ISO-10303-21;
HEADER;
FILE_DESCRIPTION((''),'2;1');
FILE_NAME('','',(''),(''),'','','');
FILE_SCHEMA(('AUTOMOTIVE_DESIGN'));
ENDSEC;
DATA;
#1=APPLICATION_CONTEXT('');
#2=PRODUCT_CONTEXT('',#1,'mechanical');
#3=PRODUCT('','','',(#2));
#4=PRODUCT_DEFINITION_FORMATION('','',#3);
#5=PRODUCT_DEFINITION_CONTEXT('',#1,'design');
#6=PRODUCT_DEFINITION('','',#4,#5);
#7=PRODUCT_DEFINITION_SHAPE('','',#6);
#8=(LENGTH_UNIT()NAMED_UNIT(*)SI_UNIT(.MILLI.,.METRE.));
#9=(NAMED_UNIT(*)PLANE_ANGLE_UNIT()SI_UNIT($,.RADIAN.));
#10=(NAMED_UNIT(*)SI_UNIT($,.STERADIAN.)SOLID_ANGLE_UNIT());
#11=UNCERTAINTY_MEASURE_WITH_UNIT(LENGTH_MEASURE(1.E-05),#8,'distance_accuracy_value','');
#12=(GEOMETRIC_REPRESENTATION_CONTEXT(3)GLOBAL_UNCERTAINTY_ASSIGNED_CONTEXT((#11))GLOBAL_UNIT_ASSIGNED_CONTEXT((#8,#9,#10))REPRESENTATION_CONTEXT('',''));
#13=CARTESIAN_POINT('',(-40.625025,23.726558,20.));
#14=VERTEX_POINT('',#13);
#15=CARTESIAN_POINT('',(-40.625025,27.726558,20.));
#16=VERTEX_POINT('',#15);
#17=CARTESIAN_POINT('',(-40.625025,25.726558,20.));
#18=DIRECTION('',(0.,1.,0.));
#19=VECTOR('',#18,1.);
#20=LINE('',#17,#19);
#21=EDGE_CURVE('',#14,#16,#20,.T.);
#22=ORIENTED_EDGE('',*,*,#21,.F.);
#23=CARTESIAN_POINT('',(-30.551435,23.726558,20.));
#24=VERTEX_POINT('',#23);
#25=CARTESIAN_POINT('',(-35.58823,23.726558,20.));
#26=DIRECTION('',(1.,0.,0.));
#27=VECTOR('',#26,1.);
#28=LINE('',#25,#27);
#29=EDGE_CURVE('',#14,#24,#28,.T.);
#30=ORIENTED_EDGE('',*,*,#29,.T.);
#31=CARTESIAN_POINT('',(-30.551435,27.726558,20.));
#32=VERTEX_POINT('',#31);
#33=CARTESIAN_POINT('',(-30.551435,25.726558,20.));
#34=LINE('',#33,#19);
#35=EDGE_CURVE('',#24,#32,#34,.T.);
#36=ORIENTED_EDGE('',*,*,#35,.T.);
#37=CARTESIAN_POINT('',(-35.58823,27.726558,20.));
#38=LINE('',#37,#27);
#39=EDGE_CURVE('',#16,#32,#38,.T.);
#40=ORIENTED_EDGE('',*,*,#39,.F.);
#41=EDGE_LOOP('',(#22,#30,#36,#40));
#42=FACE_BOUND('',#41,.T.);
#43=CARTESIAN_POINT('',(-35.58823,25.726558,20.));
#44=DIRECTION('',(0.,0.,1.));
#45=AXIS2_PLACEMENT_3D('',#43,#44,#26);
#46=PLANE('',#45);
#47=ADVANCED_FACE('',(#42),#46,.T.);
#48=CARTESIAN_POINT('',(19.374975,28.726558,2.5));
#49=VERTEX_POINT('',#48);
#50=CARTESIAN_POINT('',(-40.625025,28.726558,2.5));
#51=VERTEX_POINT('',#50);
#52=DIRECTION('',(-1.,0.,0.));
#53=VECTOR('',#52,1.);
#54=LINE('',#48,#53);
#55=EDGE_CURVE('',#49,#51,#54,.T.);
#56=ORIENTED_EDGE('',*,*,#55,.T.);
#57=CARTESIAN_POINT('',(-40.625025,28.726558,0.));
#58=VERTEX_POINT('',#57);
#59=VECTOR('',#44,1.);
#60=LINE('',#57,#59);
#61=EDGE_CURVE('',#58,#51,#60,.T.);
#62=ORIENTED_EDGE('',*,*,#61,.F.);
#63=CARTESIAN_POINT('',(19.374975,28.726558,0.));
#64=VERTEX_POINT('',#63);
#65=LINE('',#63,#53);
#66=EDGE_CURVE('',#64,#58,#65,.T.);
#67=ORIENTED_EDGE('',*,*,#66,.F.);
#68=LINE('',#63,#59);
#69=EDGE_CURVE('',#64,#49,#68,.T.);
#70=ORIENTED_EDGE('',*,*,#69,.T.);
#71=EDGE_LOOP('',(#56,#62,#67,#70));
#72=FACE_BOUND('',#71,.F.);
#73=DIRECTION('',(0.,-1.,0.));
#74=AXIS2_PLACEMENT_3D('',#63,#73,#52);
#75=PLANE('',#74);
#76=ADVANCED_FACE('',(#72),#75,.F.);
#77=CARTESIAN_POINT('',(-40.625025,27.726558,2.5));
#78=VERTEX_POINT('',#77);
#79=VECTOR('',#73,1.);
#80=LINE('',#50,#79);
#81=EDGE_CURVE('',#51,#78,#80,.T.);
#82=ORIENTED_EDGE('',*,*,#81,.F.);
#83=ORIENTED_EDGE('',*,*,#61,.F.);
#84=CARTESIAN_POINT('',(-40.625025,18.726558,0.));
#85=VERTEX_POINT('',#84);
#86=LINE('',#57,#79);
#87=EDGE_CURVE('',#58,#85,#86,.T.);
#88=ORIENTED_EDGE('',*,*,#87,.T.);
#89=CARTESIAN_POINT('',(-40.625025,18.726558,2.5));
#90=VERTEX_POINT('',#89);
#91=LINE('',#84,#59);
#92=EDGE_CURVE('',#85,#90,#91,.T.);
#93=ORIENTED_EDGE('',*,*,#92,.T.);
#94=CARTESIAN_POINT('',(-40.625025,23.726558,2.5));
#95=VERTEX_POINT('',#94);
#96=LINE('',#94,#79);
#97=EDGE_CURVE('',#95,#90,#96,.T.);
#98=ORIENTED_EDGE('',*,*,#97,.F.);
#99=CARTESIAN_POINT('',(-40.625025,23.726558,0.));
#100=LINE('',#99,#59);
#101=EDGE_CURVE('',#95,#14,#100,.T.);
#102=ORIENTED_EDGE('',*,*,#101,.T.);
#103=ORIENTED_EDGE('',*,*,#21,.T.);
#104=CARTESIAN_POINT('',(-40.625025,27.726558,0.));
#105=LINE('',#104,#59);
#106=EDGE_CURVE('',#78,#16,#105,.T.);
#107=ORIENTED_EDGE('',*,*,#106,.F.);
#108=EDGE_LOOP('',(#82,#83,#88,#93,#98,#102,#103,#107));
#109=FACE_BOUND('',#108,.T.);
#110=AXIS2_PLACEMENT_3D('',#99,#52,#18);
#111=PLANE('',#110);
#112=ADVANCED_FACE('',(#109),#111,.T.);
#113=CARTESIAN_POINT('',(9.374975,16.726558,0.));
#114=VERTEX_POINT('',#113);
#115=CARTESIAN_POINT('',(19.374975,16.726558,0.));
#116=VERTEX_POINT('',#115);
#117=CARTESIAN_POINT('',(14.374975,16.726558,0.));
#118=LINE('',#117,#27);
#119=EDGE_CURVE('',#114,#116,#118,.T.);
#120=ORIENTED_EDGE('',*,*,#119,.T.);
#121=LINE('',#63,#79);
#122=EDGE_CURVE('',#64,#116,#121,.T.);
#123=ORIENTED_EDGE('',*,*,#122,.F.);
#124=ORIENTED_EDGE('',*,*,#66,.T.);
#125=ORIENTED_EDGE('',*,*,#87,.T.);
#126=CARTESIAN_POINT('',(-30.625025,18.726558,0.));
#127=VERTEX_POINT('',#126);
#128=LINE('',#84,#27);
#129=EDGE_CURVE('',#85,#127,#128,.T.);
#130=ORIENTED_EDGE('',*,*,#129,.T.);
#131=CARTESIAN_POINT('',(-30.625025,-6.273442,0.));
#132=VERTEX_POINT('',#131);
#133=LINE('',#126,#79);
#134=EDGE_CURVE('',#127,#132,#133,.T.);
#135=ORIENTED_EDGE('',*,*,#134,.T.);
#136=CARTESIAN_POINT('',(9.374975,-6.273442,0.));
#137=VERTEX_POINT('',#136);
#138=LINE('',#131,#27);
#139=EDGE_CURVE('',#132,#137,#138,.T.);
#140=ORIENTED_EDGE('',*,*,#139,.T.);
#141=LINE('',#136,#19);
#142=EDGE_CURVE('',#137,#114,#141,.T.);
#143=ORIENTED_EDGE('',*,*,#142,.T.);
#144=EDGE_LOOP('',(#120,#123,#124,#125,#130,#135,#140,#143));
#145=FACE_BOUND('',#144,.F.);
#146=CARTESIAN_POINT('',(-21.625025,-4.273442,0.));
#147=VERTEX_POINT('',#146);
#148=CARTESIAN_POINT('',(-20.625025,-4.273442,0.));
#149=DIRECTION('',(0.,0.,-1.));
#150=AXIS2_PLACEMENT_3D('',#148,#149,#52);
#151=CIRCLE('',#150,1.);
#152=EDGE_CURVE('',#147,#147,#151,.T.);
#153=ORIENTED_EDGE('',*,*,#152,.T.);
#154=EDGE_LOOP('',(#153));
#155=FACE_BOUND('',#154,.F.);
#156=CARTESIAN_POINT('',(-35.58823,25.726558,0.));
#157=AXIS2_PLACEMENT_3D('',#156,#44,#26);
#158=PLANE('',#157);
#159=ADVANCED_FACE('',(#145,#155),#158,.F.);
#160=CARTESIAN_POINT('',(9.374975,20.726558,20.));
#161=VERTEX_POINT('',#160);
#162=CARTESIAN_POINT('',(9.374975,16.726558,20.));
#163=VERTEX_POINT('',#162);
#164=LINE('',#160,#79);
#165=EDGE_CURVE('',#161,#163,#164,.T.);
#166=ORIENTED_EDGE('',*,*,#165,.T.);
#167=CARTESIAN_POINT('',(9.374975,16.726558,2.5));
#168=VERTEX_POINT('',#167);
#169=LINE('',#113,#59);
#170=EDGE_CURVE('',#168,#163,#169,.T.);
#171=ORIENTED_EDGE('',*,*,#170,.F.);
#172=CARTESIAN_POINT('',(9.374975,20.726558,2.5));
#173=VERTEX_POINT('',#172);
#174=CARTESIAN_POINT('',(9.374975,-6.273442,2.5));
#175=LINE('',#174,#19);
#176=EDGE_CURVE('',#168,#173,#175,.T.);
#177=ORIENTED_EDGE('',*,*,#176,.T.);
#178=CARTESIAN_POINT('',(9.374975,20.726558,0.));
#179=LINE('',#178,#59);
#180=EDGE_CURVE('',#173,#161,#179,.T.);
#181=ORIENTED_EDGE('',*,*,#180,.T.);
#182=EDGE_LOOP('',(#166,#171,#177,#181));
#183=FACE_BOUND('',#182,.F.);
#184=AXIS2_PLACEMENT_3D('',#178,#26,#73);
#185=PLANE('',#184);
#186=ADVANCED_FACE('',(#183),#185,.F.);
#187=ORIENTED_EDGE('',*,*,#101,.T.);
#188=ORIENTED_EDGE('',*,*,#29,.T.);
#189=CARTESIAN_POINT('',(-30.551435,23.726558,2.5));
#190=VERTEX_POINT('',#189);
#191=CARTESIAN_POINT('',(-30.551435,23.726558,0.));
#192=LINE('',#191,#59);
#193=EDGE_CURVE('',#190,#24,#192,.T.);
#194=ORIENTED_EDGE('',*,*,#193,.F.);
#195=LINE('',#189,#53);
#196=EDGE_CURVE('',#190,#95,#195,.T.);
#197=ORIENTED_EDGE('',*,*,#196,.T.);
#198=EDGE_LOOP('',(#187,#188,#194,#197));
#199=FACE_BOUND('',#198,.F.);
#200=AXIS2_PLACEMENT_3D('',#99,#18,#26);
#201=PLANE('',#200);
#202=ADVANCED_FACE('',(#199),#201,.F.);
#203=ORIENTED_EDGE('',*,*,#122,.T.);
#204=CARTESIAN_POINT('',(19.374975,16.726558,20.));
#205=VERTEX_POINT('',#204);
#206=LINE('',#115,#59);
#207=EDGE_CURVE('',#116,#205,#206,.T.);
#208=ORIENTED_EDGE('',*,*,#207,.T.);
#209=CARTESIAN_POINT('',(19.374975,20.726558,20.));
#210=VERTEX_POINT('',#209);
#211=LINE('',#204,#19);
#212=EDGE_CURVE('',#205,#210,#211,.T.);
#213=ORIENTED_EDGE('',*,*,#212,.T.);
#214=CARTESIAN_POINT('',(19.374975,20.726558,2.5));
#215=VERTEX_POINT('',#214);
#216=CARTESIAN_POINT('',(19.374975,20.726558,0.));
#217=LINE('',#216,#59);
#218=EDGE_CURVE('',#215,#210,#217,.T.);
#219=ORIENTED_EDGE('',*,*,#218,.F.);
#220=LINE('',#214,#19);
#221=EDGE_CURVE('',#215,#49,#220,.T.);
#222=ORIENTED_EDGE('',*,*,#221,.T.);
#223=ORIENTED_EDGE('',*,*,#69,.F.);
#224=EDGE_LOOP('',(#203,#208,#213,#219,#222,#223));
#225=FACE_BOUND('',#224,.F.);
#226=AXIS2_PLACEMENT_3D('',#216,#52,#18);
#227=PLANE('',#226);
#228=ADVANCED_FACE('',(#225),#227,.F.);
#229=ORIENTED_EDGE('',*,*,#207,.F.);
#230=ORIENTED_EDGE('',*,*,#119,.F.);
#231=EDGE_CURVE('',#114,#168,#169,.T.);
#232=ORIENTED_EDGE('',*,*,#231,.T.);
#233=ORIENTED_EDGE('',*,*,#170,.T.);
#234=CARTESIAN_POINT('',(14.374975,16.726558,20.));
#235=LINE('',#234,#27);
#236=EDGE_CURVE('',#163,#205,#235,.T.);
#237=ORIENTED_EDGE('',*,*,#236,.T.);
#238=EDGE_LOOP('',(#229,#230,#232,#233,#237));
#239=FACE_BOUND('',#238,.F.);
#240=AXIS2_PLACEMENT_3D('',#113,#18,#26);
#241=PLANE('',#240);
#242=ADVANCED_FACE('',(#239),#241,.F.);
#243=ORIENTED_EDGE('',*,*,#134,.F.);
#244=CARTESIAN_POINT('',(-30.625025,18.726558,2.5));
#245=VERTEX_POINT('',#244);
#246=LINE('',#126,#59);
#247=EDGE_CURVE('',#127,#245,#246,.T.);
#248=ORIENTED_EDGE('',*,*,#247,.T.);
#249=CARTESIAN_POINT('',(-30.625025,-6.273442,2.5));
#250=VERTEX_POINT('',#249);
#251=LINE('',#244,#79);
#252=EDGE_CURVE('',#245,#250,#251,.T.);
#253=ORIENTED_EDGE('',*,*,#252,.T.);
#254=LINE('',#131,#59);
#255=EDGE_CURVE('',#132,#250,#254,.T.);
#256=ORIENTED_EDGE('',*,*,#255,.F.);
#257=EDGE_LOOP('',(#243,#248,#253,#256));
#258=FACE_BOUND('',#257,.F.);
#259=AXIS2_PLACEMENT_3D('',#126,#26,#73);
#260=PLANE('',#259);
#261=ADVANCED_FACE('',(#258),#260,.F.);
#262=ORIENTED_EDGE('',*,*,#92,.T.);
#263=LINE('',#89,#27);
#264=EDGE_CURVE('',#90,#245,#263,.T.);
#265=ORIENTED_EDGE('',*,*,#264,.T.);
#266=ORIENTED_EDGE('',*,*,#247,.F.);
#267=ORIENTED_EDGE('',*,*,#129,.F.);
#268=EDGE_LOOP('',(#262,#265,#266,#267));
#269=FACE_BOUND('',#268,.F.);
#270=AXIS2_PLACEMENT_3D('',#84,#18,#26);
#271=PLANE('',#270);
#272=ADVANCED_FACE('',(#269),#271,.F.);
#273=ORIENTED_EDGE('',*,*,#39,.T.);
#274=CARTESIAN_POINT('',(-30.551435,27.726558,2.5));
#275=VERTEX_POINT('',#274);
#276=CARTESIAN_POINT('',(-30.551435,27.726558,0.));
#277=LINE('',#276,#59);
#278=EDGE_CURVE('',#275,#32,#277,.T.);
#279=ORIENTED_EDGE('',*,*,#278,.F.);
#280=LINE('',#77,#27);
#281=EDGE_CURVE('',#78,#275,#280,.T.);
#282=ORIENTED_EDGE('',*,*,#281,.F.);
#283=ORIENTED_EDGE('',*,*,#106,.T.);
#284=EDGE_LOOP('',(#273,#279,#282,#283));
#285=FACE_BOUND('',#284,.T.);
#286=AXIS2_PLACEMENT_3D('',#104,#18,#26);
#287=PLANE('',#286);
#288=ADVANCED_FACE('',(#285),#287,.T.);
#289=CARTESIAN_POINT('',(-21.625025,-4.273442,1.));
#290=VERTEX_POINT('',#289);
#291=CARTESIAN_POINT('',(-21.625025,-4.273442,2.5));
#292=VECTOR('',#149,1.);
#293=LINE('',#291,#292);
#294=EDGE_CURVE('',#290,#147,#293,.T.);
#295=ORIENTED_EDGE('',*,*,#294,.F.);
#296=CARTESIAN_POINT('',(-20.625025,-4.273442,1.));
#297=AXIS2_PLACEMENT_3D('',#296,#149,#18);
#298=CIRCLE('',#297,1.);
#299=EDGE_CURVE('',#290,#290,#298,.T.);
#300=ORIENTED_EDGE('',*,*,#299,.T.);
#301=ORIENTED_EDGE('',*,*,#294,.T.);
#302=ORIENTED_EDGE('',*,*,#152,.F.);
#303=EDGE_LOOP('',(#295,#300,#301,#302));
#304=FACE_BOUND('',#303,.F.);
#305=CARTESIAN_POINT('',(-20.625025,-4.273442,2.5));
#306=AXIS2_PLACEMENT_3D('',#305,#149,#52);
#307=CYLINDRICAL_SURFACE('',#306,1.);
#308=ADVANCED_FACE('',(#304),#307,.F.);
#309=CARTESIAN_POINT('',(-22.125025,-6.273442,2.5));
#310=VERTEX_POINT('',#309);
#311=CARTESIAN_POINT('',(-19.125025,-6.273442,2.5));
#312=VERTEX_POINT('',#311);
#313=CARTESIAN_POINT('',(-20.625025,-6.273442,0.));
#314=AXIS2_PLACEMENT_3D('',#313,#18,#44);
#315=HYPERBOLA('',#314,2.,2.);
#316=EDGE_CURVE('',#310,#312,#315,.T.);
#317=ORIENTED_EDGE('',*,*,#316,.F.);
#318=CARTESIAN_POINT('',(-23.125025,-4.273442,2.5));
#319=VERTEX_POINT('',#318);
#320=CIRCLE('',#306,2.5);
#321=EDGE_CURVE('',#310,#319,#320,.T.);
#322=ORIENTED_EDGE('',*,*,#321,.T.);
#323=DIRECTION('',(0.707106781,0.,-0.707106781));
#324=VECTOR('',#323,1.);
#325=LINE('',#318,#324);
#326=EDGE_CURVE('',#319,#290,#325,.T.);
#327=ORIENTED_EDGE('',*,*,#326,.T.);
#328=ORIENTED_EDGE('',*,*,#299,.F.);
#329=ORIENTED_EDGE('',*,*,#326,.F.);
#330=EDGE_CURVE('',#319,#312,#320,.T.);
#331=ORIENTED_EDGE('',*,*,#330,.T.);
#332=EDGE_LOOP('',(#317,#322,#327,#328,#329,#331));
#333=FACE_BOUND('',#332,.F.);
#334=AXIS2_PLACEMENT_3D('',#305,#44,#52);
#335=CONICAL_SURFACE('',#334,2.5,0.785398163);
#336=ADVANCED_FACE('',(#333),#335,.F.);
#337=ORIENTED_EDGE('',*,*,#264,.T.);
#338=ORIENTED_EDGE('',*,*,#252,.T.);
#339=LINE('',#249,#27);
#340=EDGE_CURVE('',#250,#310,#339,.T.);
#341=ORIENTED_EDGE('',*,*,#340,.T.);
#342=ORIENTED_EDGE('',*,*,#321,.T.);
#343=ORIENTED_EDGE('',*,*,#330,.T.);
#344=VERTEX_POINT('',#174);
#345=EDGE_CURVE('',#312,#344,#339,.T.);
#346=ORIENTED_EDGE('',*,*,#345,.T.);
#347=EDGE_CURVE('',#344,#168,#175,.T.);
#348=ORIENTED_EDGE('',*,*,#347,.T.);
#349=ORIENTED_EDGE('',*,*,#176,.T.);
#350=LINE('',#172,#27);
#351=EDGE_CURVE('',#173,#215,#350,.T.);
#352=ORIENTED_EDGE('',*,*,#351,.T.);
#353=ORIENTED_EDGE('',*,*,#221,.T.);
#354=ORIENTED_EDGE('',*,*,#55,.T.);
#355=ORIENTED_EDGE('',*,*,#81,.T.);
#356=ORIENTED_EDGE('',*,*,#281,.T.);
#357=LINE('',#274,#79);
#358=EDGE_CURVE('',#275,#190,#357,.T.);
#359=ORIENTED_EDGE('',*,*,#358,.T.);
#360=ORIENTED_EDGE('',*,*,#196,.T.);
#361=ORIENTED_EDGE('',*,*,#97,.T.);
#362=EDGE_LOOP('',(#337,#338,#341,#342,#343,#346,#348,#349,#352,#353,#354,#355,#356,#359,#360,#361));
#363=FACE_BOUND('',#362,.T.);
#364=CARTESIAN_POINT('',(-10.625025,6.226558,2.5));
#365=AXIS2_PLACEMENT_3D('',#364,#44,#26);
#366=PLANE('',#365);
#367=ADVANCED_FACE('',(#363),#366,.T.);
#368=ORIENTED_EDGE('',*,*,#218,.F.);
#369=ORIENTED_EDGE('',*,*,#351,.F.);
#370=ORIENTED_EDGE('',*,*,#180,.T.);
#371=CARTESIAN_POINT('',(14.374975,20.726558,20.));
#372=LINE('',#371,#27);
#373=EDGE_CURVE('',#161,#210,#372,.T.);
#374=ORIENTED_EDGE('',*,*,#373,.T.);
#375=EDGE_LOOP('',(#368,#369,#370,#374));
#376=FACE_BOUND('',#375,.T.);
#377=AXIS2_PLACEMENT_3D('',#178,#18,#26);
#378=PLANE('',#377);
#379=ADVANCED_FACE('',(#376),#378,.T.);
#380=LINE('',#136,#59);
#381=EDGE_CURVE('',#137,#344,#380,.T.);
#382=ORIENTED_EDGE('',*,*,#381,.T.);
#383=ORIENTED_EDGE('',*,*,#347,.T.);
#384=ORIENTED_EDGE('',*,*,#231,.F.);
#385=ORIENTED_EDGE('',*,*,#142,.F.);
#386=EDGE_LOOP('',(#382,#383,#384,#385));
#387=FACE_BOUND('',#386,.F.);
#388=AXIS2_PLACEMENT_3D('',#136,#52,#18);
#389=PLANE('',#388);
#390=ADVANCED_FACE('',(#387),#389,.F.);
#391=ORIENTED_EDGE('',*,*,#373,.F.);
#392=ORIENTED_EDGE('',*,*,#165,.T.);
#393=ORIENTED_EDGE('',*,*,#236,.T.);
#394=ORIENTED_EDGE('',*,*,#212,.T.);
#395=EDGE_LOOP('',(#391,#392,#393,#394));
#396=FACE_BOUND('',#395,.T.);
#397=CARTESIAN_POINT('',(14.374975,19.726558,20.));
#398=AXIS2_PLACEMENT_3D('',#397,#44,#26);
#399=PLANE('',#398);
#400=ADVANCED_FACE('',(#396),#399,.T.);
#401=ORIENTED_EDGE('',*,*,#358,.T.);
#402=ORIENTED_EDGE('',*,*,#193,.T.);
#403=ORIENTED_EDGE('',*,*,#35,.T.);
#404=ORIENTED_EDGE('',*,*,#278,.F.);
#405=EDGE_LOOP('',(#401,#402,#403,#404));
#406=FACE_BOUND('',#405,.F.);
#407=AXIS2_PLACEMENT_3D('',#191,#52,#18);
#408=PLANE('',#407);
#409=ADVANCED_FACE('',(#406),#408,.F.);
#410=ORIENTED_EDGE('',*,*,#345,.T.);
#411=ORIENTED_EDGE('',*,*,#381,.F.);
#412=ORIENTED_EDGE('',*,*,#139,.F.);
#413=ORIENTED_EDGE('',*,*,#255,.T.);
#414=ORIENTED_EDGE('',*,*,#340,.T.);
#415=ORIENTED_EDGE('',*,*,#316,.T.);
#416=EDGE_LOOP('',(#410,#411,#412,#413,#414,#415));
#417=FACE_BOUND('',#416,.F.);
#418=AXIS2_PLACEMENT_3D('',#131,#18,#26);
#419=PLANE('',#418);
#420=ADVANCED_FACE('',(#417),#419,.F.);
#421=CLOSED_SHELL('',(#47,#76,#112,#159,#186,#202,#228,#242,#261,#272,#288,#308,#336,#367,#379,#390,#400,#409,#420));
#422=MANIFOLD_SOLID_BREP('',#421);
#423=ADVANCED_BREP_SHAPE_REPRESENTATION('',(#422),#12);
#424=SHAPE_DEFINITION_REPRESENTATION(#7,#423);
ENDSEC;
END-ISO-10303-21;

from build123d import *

# Parameters (mm, degrees)
F1_DEPTH       = 2.5
F0_W           = 10.07359
F0_H           = 4
F0_W_2         = 10
F0_H_2         = 2
F2_DEPTH       = 20
F4_D           = 2
F4_CSINK_D     = 5
F4_CSINK_ANGLE = 90


with BuildPart() as f1:
    # F0 (on Top) → F1 (new body)
    with BuildSketch(Plane.XY):
        Polygon((9.374975, 18.726558), (-30.625025, 18.726558), (-30.625025, -6.273442), (9.374975, -6.273442), (9.374975, 16.726558), align=None)
        Polygon((-40.625025, 18.726558), (-30.625025, 18.726558), (9.374975, 18.726558), (9.374975, 20.726558), (19.374975, 20.726558), (19.374975, 28.726558), (-40.625025, 28.726558), (-40.625025, 27.726558), (-30.551435, 27.726558), (-30.551435, 23.726558), (-40.625025, 23.726558), align=None)
    extrude(amount=F1_DEPTH)

    # F0 (on Top) → F2 (join)
    with BuildSketch(Plane.XY):
        with Locations((-35.58823, 25.726558)):
            Rectangle(F0_W, F0_H)
        with Locations((14.374975, 19.726558)):
            Rectangle(F0_W_2, F0_H_2)
        with Locations((14.374975, 17.726558)):
            Rectangle(F0_W_2, F0_H_2)
    extrude(amount=F2_DEPTH)

    # F4 (through all)
    with Locations(Plane.XY.offset(2.5)):
        with Locations((-20.625025, -4.273442)):
            CounterSinkHole(F4_D / 2, F4_CSINK_D / 2, counter_sink_angle=F4_CSINK_ANGLE)


solid = f1.part
